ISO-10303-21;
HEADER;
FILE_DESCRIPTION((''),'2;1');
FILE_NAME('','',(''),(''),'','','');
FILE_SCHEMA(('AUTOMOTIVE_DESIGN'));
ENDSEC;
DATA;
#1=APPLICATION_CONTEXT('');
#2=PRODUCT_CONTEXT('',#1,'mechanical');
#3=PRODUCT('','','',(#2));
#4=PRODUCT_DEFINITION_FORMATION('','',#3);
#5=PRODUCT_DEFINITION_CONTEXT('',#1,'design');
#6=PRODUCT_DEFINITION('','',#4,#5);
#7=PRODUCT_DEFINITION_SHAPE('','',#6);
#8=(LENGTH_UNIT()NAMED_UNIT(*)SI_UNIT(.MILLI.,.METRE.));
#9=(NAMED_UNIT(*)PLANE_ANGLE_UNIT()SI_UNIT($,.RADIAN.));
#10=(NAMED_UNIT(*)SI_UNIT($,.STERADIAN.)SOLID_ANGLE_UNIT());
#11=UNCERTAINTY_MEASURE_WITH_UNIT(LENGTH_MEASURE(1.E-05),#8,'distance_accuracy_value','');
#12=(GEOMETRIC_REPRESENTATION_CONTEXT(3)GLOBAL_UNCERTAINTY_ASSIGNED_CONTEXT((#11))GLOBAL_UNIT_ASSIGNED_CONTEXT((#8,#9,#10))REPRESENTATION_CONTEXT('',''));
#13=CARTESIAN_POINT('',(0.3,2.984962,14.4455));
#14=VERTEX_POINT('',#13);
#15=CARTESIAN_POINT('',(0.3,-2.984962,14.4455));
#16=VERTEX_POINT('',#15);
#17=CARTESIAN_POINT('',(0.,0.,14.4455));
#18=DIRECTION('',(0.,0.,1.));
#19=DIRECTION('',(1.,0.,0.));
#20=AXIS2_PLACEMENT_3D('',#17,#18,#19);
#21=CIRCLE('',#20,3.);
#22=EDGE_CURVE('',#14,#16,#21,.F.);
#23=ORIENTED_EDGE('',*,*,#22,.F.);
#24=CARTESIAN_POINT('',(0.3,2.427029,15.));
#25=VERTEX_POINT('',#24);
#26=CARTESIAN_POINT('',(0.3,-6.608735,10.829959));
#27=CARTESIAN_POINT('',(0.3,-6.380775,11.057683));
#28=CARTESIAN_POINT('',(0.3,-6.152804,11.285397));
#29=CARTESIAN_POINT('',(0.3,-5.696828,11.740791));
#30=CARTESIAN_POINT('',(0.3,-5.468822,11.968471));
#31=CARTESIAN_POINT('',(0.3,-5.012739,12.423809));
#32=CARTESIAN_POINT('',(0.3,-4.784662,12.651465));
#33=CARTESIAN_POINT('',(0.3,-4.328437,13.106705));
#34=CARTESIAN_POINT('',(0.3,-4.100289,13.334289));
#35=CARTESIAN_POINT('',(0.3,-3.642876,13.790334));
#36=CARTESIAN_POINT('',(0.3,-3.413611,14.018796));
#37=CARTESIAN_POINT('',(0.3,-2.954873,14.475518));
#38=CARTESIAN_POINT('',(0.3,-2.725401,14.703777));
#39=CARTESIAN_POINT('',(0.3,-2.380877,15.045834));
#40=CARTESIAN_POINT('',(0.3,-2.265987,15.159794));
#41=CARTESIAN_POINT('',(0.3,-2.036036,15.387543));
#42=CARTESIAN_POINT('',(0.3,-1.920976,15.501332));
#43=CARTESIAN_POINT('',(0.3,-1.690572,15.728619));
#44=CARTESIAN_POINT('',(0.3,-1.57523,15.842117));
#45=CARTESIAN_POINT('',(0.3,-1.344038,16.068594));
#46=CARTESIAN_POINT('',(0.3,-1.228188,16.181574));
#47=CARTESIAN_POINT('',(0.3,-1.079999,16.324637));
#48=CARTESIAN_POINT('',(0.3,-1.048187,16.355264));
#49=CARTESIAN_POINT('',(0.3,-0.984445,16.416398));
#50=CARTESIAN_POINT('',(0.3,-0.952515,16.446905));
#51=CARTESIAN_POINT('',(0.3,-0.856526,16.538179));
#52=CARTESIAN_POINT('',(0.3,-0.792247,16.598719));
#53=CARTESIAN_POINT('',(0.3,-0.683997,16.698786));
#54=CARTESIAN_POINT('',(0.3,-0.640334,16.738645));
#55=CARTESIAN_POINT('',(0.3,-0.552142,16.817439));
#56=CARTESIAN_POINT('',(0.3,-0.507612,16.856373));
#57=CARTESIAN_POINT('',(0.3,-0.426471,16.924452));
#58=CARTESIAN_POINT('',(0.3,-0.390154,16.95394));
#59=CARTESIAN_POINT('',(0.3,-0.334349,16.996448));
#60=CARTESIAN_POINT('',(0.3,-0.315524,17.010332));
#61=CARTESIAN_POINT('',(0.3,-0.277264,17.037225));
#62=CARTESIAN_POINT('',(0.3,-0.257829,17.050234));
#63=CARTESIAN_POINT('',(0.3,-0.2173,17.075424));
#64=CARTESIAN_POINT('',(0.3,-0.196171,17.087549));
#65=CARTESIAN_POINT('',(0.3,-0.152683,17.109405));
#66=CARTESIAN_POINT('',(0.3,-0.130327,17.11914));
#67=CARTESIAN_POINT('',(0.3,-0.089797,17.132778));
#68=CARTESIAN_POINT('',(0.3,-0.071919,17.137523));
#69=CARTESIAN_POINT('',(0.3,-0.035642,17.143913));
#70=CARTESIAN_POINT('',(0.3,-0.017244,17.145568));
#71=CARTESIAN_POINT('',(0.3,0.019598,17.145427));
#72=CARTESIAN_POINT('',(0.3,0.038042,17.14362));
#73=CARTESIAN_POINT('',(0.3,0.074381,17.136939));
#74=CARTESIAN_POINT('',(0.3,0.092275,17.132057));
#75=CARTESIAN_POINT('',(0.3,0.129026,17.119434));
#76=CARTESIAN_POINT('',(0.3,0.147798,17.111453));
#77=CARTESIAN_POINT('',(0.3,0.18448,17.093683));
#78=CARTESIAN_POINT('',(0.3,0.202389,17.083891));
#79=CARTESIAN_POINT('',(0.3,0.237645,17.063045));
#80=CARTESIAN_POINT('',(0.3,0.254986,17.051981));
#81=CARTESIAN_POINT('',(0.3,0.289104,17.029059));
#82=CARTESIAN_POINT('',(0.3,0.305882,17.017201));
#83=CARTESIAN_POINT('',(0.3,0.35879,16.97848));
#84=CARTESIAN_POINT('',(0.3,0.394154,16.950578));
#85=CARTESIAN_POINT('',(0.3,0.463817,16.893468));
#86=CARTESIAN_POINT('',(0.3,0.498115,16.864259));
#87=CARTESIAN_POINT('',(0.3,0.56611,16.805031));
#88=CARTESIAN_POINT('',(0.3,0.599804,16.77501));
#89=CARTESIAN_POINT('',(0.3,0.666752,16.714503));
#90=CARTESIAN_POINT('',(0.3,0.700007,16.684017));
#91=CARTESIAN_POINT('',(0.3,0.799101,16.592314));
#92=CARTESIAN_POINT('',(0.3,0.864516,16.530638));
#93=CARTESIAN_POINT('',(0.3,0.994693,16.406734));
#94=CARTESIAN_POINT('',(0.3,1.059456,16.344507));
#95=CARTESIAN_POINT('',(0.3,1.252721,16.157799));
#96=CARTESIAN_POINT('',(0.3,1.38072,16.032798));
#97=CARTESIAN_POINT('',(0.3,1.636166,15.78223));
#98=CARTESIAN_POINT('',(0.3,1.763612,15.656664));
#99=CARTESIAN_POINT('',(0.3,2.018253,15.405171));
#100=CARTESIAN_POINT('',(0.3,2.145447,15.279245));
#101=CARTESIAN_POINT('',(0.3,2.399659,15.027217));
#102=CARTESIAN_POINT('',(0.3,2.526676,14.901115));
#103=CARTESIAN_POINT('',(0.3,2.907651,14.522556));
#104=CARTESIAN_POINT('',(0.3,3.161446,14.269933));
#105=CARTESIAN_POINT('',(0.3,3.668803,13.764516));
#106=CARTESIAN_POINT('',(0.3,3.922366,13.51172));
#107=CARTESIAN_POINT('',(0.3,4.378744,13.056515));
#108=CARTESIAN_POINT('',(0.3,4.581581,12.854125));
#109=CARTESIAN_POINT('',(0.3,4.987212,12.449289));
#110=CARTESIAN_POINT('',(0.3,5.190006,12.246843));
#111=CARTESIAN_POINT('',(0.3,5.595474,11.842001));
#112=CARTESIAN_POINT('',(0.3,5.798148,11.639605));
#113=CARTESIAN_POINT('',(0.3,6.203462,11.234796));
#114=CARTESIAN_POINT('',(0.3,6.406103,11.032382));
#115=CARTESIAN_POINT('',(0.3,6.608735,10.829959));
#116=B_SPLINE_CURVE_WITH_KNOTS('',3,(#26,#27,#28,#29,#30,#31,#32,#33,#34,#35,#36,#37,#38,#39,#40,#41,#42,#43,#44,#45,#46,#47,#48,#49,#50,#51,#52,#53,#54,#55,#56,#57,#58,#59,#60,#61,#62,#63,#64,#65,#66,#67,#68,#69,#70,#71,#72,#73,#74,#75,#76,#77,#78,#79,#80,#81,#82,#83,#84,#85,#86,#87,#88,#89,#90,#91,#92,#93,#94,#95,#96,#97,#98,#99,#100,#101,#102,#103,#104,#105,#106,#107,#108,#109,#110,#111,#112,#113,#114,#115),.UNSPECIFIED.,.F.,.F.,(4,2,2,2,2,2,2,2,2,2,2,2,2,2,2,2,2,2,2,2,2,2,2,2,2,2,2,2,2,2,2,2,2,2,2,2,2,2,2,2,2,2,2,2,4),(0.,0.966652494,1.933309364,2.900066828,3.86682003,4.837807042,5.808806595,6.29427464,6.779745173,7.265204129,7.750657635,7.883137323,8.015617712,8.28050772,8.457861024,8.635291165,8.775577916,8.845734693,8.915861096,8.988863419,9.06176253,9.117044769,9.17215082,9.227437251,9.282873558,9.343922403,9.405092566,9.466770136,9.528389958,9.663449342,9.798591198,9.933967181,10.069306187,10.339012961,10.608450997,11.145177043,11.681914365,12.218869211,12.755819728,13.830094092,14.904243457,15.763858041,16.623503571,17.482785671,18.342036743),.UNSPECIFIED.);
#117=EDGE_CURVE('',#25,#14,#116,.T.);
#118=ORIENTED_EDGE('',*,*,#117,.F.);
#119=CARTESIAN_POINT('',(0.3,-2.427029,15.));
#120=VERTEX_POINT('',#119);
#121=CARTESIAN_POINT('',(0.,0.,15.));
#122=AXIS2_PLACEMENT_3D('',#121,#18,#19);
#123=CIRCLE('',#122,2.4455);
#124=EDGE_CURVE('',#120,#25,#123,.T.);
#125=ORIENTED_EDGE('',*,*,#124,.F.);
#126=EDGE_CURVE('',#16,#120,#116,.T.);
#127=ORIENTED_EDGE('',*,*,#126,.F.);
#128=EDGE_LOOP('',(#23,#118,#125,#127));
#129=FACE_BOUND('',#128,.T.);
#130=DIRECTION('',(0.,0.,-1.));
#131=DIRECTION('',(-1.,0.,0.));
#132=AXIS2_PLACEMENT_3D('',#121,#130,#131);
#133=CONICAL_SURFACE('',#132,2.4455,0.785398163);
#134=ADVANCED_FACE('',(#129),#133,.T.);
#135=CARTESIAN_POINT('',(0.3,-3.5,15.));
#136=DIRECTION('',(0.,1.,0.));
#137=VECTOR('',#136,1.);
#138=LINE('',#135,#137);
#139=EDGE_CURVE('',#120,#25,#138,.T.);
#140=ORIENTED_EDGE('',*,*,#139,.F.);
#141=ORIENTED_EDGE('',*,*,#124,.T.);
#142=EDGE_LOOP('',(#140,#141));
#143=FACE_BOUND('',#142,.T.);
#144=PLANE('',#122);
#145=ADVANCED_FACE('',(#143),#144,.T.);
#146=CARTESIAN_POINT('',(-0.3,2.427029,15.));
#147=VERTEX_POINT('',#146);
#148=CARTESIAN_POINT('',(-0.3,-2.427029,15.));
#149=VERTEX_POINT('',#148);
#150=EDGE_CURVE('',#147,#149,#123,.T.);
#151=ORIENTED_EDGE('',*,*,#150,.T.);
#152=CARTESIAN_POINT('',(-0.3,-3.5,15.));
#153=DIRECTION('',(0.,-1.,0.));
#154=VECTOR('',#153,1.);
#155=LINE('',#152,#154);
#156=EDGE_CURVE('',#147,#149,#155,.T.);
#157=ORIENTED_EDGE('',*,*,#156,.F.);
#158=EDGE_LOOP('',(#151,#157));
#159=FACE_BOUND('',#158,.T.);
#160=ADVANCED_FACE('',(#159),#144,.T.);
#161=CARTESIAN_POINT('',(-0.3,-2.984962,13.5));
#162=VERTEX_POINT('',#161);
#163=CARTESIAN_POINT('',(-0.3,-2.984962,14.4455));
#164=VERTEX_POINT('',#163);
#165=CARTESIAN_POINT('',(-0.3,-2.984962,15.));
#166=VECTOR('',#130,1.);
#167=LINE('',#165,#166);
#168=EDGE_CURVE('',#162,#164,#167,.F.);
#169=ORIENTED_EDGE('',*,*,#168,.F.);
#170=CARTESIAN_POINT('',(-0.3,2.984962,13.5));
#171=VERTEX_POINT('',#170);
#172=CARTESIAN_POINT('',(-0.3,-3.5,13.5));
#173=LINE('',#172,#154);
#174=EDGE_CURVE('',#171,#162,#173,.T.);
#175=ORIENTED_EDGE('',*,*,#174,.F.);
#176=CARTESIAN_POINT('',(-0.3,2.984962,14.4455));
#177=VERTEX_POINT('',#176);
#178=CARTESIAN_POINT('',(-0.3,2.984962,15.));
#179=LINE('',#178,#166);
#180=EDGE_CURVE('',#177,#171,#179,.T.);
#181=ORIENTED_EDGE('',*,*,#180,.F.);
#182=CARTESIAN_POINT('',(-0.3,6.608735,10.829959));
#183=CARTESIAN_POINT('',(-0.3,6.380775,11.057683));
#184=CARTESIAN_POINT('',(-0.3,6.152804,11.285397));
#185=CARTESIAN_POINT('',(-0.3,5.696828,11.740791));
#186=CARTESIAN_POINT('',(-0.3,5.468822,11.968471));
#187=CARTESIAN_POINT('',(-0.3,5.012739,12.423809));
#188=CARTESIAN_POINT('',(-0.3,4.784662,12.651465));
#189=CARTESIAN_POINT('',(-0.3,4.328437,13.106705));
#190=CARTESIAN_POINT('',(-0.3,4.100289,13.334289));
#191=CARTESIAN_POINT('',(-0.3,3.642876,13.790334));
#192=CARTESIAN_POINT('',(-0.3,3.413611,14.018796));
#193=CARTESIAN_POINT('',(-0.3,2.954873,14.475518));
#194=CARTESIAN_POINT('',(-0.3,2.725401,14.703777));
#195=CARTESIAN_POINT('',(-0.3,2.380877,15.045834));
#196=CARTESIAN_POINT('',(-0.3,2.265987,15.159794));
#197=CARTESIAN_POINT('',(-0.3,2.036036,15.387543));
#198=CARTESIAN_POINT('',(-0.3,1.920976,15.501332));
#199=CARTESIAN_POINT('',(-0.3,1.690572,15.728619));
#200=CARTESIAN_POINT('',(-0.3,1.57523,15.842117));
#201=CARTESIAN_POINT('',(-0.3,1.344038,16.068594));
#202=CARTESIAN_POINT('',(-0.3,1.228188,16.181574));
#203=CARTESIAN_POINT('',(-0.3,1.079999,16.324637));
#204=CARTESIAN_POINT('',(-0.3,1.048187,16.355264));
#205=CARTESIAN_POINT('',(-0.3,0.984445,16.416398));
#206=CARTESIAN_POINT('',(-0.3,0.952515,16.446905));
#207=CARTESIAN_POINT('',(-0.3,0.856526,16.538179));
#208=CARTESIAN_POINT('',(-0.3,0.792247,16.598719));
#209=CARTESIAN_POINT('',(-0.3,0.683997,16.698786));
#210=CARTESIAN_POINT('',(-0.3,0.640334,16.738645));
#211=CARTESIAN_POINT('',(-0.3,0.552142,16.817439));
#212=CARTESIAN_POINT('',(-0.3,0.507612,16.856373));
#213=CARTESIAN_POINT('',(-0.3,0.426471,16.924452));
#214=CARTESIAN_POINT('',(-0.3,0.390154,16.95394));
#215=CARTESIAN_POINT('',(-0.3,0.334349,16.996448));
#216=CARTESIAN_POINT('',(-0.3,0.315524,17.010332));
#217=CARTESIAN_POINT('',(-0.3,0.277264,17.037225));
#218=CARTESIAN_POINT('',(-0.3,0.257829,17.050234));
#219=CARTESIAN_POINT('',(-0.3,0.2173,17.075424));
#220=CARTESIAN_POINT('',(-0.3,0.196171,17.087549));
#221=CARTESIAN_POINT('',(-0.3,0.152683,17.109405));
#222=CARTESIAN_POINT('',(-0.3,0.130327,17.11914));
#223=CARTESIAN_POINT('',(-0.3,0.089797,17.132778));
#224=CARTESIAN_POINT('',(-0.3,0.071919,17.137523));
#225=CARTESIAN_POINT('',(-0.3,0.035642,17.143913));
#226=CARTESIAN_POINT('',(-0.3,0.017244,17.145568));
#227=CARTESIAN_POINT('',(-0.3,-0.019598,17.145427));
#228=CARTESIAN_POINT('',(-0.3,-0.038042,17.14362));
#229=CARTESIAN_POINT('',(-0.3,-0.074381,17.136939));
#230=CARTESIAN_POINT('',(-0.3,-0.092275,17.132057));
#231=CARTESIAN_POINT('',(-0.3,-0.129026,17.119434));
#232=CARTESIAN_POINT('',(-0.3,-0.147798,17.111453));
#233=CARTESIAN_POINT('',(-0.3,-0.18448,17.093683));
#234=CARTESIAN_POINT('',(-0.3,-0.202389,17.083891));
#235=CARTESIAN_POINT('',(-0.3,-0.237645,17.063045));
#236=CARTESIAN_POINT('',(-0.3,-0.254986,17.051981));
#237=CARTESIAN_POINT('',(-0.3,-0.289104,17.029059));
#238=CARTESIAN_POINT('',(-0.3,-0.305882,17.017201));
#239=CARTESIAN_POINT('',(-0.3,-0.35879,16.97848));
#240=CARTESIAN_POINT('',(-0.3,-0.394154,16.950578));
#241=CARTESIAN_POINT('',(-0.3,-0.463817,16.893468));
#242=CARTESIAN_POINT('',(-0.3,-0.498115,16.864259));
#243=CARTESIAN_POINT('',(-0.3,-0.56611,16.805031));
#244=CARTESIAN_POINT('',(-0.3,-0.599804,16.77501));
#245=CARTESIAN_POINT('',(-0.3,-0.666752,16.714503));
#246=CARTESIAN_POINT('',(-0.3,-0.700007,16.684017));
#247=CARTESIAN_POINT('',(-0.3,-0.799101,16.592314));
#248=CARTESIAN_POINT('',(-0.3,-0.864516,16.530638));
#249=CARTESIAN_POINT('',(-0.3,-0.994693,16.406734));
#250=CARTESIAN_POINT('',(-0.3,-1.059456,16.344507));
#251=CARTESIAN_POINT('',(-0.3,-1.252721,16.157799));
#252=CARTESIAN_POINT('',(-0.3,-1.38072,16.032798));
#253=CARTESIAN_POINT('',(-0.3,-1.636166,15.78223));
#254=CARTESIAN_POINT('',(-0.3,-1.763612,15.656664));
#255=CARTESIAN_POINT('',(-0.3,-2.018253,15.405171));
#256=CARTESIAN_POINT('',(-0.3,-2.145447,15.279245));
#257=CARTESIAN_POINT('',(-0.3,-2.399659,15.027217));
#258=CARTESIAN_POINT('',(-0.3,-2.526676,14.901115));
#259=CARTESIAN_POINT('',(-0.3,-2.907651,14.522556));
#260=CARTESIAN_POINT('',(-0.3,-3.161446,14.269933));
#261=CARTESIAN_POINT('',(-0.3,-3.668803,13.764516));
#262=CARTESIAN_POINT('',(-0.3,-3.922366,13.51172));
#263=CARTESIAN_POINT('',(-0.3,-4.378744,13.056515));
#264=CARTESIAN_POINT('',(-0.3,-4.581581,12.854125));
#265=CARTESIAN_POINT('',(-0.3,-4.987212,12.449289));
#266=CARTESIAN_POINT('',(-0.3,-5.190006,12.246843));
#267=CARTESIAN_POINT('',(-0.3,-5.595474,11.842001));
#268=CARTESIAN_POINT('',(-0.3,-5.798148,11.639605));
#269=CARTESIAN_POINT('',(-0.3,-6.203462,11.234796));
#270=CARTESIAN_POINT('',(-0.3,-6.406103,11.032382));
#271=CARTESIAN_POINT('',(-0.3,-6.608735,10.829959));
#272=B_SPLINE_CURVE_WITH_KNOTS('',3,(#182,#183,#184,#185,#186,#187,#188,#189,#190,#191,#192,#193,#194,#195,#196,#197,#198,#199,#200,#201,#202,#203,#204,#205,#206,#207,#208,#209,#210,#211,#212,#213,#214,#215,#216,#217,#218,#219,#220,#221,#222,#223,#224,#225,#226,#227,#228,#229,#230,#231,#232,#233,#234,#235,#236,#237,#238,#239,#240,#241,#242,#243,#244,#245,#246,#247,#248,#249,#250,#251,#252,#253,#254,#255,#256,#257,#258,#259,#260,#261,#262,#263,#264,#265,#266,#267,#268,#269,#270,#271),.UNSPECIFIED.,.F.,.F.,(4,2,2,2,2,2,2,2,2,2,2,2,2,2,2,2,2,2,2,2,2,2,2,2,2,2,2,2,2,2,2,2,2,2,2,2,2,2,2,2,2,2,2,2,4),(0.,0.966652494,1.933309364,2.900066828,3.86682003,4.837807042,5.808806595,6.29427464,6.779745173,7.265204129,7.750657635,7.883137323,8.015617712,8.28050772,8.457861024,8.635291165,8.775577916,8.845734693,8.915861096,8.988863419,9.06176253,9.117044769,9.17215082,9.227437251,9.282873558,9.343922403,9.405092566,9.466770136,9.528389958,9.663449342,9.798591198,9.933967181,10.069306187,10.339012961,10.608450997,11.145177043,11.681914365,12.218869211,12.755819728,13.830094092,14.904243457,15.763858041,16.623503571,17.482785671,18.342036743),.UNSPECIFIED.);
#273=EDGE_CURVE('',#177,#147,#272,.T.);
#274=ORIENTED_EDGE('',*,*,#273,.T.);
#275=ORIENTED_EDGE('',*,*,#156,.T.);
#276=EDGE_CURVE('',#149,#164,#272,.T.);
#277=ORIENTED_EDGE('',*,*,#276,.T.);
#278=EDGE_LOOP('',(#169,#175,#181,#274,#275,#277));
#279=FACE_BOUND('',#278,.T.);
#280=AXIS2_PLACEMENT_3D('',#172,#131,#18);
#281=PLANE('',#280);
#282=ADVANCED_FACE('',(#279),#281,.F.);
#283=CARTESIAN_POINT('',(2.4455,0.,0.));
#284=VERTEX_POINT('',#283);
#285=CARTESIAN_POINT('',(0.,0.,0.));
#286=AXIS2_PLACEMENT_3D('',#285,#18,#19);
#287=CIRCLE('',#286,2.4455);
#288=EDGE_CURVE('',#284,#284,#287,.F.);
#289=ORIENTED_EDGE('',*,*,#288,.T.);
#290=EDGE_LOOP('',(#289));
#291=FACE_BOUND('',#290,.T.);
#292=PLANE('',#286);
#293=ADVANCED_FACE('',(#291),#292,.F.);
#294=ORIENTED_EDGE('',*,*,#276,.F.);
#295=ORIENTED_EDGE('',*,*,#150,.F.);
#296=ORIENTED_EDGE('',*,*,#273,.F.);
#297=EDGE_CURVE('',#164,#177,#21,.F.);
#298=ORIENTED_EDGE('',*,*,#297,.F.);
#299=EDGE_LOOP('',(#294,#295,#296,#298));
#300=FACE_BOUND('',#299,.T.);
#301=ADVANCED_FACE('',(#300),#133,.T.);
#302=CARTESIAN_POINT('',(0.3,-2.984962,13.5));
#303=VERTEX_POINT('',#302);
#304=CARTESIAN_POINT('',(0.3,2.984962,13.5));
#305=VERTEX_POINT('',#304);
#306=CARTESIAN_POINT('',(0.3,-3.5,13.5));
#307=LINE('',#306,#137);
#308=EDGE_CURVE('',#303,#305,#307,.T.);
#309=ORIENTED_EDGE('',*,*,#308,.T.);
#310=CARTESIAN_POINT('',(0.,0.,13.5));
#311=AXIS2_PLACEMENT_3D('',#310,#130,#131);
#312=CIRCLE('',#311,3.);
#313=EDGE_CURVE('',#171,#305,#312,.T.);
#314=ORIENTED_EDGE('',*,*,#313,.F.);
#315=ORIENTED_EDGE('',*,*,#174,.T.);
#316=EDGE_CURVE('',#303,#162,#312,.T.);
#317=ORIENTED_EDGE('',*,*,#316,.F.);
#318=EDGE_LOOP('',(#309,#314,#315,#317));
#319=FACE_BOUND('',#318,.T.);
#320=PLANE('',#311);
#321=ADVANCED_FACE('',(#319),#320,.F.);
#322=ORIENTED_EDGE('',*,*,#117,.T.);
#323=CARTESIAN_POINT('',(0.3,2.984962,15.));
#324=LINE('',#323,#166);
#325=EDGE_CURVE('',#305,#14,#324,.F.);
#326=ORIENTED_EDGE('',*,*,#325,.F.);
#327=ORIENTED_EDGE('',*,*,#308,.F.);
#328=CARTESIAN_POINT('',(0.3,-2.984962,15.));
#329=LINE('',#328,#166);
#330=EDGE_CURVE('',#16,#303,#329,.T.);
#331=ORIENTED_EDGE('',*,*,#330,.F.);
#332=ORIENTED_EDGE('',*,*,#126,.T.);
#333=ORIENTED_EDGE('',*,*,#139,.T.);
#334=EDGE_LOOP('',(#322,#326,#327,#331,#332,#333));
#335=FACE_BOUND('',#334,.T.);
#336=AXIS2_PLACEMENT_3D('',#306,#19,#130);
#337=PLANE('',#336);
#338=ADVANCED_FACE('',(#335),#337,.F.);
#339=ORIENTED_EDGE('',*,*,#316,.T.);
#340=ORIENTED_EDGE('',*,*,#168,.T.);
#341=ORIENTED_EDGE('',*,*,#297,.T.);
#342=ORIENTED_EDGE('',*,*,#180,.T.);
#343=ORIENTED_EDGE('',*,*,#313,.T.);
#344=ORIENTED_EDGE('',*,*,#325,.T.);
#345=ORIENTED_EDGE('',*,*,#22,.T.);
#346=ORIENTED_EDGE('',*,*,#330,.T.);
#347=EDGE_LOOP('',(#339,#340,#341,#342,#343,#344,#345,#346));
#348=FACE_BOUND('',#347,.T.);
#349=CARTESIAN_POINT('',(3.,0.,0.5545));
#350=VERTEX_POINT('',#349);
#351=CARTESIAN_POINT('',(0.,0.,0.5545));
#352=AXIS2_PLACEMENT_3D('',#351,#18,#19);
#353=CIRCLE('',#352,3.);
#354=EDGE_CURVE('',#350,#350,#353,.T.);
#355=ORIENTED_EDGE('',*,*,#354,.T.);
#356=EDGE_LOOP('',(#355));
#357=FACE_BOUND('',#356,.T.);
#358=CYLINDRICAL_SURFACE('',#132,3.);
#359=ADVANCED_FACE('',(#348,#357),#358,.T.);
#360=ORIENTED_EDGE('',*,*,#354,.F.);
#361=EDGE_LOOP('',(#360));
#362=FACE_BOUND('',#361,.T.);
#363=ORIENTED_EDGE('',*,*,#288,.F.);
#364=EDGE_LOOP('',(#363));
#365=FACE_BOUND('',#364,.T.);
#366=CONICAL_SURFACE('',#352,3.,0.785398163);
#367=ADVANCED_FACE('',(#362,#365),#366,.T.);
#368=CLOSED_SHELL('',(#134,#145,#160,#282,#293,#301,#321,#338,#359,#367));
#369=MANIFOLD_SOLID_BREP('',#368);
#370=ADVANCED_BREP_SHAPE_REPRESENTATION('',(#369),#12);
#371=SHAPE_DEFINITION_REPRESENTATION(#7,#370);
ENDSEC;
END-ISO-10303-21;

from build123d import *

# Parameters (mm, degrees)
SKETCH_1_R          = 3
EXTRUDE_1_DEPTH     = 15
CHAMFER_1_SIZE      = 0.5545
SKETCH_2_W          = 0.6
SKETCH_2_H          = 7
CUT_EXTRUDE_1_DEPTH = 1.5


with BuildPart() as part:
    # Эскиз1 → Бобышка-Вытянуть1 (new body)
    with BuildSketch(Plane.XY):
        Circle(SKETCH_1_R)
    extrude(amount=EXTRUDE_1_DEPTH)

    # Фаска1
    chamfer_1_edges = [part.edges().sort_by_distance(p)[0] for p in [
        (-3, 0, 0),
        (-3, 0, 15),
    ]]
    chamfer(chamfer_1_edges, length=CHAMFER_1_SIZE)

    # Эскиз2 → Вырез-Вытянуть1 (cut)
    with BuildSketch(Plane.XY.offset(15)):
        Rectangle(SKETCH_2_W, SKETCH_2_H)
    extrude(amount=-CUT_EXTRUDE_1_DEPTH, mode=Mode.SUBTRACT)


solid = part.part
